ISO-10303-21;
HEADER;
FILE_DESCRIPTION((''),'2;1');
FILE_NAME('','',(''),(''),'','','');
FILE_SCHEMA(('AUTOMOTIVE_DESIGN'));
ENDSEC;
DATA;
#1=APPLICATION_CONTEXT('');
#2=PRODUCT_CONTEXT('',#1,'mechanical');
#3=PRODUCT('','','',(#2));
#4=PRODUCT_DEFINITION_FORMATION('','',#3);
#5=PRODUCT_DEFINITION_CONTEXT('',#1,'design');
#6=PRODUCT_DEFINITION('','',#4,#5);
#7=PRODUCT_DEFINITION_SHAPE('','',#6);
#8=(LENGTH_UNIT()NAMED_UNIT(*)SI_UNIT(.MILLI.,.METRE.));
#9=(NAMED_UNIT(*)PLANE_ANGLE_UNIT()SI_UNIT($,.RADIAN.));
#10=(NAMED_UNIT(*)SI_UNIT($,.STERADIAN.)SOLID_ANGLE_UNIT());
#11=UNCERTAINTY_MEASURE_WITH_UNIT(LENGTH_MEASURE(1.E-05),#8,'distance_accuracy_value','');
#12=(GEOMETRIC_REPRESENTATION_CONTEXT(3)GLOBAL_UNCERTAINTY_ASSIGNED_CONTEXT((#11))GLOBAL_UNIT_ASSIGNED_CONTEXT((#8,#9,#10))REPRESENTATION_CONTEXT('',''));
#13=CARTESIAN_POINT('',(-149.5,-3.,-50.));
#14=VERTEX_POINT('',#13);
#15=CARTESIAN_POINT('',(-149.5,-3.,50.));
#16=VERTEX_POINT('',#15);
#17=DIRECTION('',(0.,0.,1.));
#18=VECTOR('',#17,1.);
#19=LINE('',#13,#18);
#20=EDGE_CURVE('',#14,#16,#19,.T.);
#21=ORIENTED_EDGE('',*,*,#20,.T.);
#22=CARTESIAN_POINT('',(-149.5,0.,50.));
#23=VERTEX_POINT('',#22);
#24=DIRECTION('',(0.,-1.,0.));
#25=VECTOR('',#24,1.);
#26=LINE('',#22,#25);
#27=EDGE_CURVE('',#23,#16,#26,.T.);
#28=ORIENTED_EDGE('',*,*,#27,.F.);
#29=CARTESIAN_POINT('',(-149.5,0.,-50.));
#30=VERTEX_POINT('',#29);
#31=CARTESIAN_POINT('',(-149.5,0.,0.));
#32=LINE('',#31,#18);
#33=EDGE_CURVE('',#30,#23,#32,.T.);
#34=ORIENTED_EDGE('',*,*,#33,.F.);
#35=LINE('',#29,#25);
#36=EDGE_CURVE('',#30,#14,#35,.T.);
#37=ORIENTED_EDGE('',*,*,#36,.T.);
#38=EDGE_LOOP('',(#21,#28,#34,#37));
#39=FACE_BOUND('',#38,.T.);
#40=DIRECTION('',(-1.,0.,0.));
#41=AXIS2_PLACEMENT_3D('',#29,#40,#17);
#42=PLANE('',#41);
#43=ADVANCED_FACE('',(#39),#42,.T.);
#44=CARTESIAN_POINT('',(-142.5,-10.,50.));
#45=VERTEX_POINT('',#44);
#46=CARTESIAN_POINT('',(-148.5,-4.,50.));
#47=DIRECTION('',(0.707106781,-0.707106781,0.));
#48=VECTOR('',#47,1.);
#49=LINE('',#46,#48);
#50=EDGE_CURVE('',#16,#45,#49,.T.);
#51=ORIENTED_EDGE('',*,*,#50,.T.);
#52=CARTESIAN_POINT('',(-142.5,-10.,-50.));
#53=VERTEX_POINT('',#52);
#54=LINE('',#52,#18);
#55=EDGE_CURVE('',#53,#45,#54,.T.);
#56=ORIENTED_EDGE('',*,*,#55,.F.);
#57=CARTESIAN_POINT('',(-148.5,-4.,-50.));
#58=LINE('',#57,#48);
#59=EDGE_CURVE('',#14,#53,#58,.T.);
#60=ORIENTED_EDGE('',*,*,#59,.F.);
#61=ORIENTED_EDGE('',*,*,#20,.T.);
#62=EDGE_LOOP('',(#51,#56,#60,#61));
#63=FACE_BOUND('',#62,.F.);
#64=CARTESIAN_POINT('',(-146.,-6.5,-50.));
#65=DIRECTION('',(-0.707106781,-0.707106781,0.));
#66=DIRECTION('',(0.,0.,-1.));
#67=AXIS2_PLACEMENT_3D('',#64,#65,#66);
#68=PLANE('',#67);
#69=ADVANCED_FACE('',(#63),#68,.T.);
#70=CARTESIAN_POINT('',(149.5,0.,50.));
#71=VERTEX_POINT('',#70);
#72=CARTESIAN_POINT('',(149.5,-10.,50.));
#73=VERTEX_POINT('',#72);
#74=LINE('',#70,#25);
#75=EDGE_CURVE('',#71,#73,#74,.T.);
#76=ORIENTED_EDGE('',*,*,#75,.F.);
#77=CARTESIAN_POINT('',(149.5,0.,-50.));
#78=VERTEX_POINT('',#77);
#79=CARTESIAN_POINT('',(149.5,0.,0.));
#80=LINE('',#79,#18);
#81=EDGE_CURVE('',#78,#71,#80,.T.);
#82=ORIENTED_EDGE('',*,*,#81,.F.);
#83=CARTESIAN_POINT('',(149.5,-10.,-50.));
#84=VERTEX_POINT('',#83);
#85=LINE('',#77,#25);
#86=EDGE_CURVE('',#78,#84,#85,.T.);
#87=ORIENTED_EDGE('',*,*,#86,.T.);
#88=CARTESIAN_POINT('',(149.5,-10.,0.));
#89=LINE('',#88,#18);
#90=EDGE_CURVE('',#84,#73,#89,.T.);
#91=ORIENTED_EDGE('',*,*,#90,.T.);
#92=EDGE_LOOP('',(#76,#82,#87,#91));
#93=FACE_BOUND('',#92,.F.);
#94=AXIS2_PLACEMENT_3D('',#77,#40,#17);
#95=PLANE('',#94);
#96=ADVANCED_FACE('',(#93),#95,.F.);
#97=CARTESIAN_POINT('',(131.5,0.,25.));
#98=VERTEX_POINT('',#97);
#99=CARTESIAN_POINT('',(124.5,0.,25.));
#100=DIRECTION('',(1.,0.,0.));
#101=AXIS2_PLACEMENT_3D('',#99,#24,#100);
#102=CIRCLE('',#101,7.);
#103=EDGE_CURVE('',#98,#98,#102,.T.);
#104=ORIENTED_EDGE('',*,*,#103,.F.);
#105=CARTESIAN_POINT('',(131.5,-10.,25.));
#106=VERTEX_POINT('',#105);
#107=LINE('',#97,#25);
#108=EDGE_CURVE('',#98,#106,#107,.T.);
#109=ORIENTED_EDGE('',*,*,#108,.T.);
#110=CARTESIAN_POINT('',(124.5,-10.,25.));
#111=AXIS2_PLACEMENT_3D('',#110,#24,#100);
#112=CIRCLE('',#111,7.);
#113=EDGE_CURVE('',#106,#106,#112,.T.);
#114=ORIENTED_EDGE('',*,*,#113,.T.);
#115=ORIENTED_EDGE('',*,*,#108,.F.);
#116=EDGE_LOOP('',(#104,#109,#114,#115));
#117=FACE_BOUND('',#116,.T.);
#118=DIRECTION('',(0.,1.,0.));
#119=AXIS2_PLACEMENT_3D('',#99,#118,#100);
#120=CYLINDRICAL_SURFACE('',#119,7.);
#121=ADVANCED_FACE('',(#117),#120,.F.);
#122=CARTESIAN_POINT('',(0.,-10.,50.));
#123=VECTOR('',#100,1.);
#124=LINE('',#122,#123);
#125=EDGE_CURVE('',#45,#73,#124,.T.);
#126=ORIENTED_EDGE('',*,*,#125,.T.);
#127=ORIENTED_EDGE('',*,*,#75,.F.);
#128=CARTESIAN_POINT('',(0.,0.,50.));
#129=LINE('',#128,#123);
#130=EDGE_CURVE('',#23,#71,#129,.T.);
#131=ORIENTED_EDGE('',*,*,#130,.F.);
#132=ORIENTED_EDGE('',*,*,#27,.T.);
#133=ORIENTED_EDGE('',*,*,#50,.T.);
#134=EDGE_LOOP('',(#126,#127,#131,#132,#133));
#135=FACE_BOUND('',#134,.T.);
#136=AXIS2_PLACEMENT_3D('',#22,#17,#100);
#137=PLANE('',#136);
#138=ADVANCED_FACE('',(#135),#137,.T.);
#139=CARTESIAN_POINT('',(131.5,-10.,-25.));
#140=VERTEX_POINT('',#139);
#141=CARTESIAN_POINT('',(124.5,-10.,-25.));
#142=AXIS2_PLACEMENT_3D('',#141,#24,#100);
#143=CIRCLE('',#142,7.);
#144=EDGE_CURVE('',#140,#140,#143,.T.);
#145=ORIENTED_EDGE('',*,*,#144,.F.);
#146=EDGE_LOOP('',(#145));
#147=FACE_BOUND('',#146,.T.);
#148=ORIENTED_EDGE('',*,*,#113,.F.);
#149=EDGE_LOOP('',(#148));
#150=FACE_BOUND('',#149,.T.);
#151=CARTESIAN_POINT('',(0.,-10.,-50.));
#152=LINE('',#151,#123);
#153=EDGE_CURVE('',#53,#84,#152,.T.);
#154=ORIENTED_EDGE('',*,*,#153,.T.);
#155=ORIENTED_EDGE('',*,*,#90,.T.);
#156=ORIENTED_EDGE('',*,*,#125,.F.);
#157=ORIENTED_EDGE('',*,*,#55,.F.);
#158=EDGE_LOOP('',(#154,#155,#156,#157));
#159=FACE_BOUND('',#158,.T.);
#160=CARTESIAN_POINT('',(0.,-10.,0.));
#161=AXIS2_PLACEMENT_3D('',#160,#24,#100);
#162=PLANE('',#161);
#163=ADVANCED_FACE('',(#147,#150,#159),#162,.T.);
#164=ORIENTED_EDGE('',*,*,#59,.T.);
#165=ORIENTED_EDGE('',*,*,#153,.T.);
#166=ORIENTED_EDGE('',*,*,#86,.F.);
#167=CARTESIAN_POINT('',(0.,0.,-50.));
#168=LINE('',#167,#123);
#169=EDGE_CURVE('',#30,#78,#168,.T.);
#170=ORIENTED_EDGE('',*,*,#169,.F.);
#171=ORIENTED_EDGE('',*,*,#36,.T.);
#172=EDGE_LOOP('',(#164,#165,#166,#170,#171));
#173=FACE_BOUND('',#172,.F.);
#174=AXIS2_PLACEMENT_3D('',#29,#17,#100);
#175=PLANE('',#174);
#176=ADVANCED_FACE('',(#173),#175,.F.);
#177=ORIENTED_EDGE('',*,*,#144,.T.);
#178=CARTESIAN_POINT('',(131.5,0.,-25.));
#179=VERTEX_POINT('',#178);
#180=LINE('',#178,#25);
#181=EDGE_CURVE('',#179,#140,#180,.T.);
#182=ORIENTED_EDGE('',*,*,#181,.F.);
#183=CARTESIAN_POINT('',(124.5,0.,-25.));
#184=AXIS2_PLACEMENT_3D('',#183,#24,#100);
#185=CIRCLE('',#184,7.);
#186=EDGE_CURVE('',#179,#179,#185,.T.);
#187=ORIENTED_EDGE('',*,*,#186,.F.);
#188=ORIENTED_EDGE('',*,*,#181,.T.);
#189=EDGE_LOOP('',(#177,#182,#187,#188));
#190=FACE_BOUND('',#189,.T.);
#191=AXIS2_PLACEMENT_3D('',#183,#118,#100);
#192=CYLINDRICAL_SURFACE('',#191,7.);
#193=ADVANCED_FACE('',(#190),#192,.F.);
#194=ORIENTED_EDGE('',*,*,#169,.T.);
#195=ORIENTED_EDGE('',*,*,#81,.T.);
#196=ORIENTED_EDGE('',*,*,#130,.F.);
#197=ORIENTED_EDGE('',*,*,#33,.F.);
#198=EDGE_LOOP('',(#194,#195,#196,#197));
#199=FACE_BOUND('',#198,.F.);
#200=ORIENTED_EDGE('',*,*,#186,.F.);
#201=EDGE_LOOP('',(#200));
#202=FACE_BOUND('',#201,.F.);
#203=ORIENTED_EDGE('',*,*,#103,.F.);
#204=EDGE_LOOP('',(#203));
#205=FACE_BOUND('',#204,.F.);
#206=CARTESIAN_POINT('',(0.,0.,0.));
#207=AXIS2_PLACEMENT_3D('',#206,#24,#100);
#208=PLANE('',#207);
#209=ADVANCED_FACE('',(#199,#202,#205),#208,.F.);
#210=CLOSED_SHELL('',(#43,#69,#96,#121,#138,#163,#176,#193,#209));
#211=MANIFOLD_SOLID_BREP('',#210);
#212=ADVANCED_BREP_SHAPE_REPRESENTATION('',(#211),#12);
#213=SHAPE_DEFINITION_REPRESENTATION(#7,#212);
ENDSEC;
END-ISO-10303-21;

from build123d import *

# Parameters (mm, degrees)
F0_W     = 299
F0_H     = 100
F0_R     = 7
F1_DEPTH = 10
F2_SIZE  = 7


with BuildPart() as f1:
    # F0 (on Front) → F1 (new body)
    with BuildSketch(Plane.XZ):
        Rectangle(F0_W, F0_H)
        with Locations((124.5, -25)):
            Circle(F0_R, mode=Mode.SUBTRACT)
        with Locations((124.5, 25)):
            Circle(F0_R, mode=Mode.SUBTRACT)
    extrude(amount=F1_DEPTH)

    # F2
    f2_edges = [f1.edges().sort_by_distance(p)[0] for p in [
        (-149.5, -10, 0),
    ]]
    chamfer(f2_edges, length=F2_SIZE)


solid = f1.part
